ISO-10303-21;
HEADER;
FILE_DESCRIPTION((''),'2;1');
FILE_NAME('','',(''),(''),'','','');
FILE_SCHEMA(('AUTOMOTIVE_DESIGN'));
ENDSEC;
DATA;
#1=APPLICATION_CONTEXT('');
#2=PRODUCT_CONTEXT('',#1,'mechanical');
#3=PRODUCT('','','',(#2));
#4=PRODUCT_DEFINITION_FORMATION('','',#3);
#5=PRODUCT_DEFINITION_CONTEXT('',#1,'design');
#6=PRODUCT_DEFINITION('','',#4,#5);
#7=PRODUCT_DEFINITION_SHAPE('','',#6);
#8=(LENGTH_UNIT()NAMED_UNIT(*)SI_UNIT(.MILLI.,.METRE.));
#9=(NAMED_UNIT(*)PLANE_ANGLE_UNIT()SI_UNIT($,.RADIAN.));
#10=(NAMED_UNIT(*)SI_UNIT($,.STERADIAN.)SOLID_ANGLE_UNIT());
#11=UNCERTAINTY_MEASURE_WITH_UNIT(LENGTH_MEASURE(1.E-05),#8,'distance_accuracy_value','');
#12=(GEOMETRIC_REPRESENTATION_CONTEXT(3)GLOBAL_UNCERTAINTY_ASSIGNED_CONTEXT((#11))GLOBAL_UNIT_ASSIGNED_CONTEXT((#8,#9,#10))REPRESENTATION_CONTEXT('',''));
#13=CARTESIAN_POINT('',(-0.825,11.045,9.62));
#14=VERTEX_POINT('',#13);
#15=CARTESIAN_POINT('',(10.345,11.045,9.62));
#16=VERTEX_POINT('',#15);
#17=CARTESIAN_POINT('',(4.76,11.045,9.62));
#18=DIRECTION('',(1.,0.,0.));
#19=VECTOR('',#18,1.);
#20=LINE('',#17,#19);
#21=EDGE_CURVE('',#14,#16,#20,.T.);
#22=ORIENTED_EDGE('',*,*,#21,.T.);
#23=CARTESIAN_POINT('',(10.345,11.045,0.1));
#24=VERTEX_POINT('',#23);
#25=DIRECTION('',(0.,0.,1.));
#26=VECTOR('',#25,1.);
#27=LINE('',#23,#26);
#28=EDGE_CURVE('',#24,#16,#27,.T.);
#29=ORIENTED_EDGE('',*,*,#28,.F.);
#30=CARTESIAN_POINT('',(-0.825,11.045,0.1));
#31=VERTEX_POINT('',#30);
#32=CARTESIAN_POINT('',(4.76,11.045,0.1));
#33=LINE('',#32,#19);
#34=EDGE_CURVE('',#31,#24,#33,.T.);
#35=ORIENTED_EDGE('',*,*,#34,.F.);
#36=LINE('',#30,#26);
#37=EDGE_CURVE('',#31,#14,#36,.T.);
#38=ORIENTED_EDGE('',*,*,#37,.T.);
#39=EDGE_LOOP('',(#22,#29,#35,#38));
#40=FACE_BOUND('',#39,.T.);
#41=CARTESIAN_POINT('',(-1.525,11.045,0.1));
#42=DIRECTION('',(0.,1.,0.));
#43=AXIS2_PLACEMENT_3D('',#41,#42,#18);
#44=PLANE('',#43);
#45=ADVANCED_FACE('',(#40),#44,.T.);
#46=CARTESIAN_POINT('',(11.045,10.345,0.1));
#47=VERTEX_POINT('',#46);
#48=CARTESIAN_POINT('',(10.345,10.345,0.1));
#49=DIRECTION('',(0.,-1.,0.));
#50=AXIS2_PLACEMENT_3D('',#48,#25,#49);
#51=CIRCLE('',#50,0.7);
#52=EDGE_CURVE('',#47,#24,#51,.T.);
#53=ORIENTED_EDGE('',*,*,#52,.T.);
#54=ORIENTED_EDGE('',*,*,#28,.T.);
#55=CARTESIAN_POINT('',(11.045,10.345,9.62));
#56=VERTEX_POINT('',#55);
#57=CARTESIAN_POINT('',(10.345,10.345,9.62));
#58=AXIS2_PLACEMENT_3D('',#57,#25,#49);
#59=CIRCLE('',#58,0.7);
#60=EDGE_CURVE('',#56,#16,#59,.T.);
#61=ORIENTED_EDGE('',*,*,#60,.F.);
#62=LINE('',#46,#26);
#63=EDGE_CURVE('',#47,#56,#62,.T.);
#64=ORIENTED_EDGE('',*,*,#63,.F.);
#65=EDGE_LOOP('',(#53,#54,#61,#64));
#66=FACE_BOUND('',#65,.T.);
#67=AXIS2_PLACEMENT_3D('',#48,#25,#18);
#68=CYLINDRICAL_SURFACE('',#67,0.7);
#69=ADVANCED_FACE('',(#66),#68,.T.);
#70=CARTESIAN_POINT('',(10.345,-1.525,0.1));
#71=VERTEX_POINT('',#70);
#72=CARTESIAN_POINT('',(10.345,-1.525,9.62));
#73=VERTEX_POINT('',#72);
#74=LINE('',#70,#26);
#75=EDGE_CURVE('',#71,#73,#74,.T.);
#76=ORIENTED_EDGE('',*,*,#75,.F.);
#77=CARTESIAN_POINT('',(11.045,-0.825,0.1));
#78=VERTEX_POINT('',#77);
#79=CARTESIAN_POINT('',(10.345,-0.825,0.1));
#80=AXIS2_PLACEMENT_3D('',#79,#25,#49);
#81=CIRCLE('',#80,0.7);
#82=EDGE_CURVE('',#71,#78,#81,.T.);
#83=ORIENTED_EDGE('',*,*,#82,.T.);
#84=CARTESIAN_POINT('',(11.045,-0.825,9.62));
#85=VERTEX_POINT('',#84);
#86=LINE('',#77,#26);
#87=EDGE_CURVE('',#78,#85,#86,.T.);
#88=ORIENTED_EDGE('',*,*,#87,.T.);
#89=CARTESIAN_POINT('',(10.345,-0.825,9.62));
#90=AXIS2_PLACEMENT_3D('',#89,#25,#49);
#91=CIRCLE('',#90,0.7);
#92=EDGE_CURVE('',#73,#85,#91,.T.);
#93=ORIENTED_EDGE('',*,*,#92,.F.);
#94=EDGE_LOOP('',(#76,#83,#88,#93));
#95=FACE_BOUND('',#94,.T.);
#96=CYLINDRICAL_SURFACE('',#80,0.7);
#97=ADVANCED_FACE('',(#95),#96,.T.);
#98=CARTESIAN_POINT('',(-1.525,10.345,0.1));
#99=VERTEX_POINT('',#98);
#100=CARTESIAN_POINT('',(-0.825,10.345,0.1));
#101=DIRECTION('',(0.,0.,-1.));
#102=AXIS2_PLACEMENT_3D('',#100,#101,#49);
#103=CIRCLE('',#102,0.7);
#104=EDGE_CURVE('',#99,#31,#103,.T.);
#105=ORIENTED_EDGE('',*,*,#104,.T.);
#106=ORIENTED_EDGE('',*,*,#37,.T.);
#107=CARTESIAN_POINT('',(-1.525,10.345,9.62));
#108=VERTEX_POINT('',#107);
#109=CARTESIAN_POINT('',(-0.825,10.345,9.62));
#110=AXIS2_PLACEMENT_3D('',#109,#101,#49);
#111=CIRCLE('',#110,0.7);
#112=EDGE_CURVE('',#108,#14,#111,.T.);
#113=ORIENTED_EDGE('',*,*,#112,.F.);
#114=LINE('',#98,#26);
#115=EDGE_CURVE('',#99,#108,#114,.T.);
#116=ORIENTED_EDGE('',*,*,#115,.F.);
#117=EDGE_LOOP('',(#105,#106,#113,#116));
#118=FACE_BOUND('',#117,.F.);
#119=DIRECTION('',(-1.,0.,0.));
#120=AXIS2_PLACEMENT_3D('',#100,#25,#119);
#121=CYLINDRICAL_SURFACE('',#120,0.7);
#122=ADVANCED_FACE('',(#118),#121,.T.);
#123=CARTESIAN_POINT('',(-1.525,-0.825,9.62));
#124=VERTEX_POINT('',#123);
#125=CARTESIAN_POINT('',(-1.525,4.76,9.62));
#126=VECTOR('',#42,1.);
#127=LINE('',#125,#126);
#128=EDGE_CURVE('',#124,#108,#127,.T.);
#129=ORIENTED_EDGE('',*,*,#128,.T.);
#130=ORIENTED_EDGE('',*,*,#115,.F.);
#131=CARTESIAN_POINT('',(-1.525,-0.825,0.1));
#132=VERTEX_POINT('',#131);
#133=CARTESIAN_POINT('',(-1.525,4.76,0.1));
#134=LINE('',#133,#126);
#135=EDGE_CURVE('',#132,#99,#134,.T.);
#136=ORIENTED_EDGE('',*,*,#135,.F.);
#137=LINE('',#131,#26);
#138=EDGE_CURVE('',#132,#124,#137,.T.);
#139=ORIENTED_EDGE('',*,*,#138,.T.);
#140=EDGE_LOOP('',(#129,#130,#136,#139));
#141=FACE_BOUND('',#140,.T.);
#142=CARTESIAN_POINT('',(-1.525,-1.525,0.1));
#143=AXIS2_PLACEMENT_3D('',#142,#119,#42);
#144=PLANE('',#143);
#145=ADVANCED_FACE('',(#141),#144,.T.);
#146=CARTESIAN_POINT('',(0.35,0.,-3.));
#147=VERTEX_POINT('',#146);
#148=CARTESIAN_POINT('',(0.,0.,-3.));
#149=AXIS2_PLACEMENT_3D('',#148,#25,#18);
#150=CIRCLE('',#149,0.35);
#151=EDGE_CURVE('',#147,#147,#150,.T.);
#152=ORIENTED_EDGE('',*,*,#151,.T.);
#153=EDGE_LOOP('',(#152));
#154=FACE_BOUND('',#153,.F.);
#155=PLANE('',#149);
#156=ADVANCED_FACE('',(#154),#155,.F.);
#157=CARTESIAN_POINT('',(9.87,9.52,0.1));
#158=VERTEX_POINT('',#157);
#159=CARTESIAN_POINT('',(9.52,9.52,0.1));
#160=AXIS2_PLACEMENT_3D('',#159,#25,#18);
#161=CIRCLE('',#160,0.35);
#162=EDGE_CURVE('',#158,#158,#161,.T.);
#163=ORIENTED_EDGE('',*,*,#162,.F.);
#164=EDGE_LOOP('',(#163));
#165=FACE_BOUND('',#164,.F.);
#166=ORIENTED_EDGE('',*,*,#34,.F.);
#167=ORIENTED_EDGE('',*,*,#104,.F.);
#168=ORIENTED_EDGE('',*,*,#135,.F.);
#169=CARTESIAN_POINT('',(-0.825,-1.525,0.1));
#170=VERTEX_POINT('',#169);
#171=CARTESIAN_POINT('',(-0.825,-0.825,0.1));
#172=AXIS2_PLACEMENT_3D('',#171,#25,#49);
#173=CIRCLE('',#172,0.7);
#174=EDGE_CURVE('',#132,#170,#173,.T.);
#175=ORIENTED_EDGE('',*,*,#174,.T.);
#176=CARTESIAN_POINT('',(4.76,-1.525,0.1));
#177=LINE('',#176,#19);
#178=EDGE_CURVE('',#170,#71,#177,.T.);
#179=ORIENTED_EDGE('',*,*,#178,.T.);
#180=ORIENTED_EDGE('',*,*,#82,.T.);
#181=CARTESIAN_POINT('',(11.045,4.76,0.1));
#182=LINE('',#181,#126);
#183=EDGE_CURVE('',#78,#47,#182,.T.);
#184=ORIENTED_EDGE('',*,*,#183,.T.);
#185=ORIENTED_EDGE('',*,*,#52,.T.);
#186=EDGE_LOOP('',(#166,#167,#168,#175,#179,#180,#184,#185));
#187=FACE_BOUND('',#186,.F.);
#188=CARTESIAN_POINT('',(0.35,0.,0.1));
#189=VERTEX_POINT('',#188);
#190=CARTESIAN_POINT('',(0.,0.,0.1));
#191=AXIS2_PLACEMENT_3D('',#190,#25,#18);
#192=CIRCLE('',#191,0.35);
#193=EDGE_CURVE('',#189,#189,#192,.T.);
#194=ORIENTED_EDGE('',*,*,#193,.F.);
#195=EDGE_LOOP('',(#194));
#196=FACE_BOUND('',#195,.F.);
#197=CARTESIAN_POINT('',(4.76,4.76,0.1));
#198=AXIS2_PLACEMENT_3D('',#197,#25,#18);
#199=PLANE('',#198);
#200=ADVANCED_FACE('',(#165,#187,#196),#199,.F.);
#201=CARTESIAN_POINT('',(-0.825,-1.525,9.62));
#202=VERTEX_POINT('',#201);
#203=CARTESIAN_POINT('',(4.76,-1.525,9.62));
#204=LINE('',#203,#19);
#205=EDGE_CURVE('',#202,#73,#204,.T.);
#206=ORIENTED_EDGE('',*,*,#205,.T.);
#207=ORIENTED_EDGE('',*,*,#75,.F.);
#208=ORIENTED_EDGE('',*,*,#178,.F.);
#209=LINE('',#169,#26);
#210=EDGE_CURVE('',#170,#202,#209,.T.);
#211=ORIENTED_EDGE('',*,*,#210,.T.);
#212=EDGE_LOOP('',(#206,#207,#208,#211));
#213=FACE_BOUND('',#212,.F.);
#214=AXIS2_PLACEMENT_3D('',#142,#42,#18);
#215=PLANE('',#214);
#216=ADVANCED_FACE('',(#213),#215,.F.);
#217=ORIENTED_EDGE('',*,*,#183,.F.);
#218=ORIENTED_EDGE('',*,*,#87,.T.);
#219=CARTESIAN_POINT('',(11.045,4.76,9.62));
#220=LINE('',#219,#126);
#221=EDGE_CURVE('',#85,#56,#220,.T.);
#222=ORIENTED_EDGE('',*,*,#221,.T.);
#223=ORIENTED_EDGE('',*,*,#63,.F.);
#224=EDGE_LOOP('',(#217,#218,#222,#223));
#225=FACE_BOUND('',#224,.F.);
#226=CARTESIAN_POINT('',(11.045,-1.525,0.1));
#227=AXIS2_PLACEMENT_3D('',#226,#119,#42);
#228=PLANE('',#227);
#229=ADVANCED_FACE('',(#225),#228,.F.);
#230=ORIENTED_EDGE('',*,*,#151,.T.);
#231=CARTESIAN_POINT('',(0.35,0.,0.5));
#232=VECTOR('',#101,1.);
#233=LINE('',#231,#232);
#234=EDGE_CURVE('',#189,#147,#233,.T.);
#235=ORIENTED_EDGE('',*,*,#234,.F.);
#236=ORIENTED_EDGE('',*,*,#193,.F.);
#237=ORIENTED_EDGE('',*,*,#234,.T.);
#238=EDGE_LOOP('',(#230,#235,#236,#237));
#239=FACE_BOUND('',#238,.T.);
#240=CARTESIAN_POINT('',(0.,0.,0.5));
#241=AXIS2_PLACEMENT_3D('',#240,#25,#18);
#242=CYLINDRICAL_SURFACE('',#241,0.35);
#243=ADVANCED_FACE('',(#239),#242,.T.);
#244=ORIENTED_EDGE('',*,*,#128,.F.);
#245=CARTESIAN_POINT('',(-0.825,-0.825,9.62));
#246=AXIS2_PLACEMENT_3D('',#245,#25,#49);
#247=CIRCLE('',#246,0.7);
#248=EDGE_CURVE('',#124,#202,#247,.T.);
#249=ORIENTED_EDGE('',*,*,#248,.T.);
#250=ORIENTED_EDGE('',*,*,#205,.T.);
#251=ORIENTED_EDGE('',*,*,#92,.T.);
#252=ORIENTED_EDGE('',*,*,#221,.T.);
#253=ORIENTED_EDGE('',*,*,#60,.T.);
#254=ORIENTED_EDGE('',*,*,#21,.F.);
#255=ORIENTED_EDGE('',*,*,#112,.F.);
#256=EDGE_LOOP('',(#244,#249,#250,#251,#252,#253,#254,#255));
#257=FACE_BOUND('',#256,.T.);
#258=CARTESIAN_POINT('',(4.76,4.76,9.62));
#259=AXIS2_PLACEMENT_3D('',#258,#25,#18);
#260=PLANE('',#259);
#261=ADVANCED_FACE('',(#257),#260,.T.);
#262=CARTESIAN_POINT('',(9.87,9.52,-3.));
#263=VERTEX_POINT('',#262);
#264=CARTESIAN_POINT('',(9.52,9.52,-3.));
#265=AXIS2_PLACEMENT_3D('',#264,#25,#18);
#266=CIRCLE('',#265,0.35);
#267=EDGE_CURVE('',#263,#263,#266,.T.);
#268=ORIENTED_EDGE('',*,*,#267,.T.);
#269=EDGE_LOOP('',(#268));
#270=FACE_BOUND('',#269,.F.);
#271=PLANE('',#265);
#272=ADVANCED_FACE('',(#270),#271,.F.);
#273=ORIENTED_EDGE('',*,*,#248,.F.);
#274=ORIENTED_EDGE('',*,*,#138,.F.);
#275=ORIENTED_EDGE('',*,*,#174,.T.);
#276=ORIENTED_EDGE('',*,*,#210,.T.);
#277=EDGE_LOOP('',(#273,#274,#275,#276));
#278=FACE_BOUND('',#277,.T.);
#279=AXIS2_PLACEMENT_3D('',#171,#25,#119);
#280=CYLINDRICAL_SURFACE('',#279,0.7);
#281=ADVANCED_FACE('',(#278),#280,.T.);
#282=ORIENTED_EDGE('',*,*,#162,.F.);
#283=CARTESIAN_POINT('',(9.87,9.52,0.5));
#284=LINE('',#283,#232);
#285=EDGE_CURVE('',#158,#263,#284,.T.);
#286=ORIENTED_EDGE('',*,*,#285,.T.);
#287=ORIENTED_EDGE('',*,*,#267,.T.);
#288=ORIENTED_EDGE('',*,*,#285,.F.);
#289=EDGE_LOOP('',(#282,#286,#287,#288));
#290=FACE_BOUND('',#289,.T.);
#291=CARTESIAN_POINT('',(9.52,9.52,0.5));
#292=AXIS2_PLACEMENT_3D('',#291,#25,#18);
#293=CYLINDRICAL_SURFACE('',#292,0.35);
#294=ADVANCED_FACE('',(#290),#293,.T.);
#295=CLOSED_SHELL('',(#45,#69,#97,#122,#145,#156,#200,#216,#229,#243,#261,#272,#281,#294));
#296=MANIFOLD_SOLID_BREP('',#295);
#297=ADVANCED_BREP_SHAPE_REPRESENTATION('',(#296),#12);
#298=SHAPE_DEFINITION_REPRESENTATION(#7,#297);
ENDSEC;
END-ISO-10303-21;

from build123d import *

# Parameters (mm, degrees)
SKETCH_W     = 12.57
SKETCH_H     = 12.57
PAD_DEPTH    = 9.52
FILLET_R     = 0.7
SKETCH001_R  = 0.35
PAD001_DEPTH = 3.5


with BuildPart() as fillet_body:
    # Sketch → Pad (new body)
    with BuildSketch(Plane.XY.offset(0.1)):
        with Locations((4.76, 4.76)):
            Rectangle(SKETCH_W, SKETCH_H)
    extrude(amount=PAD_DEPTH)

    # Fillet
    fillet_edges = [fillet_body.edges().sort_by_distance(p)[0] for p in [
        (11.045, -1.525, 4.86),
        (11.045, 11.045, 4.86),
        (-1.525, -1.525, 4.86),
        (-1.525, 11.045, 4.86),
    ]]
    fillet(fillet_edges, radius=FILLET_R)


with BuildPart() as pad001_mp_cp:
    # Sketch001 → Pad001 (new body)
    with BuildSketch(Plane.XY.offset(0.5)):
        Circle(SKETCH001_R)
        with Locations((9.52, 9.52)):
            Circle(SKETCH001_R)
    extrude(amount=-PAD001_DEPTH)

    # Pad001_mp_cp: union Fillet body
    add(fillet_body.part)


solid = pad001_mp_cp.part
